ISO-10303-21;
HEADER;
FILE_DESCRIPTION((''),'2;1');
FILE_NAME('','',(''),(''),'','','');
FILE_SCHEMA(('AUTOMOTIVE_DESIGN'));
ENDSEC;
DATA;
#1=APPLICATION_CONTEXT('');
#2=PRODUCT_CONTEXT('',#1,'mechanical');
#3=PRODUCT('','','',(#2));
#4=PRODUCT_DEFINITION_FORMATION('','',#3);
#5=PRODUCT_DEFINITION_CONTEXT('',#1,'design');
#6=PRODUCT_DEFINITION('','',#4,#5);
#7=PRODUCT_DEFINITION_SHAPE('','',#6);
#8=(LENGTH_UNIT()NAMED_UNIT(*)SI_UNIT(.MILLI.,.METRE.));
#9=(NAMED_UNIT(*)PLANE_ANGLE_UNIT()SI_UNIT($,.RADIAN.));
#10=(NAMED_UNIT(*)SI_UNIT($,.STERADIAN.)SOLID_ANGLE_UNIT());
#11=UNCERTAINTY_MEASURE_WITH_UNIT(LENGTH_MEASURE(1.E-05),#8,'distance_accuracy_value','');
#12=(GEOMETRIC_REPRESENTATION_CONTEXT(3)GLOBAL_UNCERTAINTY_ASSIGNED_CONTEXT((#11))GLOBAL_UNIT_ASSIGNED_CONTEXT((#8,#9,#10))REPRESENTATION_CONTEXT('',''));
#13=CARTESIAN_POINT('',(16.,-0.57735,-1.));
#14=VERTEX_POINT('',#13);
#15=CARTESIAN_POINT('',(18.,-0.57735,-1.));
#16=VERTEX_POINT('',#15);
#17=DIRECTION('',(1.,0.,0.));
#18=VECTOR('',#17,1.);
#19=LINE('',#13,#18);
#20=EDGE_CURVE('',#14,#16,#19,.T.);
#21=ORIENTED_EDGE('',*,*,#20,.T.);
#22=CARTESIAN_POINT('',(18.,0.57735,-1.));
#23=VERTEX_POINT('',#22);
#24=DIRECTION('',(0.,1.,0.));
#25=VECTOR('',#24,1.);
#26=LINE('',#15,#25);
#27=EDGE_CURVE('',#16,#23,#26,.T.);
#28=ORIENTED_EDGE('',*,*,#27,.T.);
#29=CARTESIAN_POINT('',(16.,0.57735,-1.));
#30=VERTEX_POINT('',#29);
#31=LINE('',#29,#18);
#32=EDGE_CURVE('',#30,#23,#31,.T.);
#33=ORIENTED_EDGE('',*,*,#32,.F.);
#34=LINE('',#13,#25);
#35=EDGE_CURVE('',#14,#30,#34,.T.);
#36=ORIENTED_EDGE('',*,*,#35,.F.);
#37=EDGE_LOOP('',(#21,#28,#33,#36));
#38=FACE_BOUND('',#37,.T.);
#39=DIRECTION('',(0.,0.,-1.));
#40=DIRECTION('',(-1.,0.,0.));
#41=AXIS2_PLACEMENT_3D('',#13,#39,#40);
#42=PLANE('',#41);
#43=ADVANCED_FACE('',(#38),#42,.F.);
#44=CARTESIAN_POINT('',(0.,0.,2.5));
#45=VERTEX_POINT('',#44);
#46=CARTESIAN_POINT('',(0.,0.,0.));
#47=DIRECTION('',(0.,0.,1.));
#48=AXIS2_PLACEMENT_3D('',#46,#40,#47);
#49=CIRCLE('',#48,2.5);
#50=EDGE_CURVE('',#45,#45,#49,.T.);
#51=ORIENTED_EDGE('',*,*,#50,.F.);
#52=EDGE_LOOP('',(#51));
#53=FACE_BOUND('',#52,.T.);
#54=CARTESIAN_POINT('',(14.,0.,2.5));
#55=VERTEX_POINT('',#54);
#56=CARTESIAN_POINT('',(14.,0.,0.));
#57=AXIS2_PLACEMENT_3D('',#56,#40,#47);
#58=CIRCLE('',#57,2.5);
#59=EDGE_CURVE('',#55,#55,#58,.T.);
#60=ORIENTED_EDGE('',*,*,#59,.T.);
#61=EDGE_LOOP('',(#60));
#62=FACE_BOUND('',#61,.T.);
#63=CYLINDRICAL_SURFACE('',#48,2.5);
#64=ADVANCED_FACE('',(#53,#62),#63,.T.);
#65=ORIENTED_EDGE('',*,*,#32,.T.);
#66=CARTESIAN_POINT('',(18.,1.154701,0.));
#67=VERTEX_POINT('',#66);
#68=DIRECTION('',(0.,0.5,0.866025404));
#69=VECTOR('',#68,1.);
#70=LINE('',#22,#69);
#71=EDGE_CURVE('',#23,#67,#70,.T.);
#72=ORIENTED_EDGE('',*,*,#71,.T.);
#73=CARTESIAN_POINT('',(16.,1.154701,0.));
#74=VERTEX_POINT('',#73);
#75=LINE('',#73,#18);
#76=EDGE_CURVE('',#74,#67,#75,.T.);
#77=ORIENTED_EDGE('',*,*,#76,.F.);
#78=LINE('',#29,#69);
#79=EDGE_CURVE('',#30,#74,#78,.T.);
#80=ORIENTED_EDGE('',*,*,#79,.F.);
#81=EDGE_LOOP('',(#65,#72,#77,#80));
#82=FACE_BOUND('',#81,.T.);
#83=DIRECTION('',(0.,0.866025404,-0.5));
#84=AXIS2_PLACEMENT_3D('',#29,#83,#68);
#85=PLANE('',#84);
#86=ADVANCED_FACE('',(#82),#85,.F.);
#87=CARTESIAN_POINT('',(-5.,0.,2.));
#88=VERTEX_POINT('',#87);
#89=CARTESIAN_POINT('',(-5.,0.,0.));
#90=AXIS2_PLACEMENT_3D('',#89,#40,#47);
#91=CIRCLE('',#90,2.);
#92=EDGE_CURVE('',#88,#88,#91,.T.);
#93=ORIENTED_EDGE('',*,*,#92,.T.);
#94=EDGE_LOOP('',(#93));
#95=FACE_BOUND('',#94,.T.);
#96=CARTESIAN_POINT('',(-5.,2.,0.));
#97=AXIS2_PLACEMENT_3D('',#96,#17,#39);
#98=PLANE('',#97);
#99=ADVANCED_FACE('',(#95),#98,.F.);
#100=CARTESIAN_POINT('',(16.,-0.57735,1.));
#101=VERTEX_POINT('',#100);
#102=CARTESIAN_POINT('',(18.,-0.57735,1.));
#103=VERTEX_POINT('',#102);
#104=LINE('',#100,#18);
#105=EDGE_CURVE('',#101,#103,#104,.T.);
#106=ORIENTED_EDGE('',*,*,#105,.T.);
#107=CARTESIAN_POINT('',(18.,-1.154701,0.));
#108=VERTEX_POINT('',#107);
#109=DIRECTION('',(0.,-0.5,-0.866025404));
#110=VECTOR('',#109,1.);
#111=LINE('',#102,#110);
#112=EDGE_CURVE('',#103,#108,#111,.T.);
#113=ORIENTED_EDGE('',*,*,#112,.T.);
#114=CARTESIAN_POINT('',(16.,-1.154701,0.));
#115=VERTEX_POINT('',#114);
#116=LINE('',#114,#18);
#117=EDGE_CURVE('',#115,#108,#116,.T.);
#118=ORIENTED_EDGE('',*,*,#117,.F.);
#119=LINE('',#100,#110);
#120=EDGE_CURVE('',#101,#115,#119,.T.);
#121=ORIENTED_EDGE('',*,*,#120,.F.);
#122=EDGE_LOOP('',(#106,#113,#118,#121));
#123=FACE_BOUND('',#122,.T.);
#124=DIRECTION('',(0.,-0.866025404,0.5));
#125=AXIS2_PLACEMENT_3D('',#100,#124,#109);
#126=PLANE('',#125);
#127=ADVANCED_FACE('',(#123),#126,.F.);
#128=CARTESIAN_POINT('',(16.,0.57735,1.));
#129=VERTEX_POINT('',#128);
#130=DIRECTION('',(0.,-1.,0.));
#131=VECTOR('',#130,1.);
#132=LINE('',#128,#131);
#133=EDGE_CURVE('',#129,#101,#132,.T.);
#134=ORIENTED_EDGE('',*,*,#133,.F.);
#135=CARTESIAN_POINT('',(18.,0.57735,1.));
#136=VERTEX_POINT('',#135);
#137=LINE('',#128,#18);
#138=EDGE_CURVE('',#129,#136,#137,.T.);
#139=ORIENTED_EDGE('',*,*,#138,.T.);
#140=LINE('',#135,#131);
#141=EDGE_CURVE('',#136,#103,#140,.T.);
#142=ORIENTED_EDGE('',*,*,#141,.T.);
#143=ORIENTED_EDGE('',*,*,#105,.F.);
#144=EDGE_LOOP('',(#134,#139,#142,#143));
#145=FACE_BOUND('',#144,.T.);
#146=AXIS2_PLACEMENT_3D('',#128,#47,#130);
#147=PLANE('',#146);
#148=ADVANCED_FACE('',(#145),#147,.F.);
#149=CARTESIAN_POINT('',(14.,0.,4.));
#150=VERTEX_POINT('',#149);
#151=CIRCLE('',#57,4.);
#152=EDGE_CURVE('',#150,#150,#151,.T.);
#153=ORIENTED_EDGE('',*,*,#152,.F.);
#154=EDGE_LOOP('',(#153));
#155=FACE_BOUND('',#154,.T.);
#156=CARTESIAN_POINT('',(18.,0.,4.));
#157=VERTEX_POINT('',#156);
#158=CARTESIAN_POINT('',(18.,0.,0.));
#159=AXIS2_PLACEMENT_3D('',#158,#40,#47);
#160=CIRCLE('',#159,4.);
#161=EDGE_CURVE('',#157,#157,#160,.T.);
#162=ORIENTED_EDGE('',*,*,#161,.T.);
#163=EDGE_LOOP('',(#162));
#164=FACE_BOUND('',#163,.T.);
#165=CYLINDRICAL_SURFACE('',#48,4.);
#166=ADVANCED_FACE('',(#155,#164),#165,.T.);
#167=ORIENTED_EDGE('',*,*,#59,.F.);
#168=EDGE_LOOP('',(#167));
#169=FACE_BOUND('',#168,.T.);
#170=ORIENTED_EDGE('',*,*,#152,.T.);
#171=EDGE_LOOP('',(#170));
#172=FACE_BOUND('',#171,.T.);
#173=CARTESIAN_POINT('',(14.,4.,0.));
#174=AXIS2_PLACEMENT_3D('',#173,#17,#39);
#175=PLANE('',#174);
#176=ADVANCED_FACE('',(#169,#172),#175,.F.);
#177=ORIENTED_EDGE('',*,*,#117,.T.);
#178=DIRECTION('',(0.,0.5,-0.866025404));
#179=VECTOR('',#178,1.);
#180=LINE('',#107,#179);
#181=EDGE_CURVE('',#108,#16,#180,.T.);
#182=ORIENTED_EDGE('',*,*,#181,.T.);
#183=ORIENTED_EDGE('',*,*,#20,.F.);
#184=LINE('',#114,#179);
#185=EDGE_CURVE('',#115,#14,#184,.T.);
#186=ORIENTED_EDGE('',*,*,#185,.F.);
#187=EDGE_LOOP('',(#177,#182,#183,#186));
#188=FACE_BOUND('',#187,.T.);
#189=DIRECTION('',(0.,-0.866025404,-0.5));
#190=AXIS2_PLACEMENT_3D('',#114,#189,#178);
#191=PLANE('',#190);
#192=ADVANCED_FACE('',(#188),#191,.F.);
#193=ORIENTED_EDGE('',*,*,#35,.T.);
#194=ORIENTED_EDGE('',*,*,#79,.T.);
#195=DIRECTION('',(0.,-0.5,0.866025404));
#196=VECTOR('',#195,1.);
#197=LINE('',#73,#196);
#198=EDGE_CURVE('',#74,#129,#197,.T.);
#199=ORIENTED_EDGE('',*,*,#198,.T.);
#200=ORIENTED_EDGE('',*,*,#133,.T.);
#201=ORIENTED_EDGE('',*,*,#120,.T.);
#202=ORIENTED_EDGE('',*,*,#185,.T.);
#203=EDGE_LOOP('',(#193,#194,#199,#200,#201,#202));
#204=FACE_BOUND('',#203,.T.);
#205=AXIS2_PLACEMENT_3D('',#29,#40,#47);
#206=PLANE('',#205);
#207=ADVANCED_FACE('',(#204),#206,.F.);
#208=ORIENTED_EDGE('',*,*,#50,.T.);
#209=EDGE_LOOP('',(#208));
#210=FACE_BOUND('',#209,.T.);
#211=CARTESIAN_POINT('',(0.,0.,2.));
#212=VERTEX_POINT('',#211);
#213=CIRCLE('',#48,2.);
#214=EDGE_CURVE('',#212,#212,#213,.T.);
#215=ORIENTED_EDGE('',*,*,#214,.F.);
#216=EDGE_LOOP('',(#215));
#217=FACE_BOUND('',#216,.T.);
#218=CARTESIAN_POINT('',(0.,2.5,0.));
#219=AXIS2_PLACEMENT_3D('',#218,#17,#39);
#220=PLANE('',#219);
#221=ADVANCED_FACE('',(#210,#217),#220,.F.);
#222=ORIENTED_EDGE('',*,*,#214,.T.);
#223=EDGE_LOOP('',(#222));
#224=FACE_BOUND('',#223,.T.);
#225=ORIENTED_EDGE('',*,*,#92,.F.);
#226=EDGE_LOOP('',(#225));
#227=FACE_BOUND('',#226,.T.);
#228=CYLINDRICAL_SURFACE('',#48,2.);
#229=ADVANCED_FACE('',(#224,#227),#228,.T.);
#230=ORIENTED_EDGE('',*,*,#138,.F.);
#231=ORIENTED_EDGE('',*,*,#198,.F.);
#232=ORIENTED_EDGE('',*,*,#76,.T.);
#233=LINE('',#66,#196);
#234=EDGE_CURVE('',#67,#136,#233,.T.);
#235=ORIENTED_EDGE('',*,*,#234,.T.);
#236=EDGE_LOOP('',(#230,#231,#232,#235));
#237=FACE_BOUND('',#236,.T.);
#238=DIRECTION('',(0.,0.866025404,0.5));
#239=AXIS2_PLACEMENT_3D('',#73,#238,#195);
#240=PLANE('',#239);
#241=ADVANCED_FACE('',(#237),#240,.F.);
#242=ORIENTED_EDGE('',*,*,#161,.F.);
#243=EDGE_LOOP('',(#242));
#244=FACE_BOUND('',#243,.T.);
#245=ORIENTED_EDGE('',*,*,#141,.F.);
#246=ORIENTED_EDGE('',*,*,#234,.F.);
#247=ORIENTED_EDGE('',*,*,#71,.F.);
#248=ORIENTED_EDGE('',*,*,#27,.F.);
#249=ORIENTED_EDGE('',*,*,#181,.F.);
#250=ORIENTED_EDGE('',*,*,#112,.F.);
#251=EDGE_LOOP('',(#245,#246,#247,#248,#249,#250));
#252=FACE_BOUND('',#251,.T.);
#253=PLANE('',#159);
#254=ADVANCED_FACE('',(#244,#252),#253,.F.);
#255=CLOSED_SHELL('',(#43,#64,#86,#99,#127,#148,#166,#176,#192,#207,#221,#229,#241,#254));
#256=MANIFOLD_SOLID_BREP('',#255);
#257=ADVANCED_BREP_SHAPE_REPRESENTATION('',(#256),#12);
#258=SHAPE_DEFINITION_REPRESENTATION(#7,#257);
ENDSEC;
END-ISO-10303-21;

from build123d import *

# Parameters (mm, degrees)
CUT_EXTRUDE1_DEPTH = 2


with BuildPart() as part:
    # Sketch1 → Revolve1 (revolve)
    with BuildSketch(Plane.XY, mode=Mode.PRIVATE) as revolve1_sk:
        Polygon((18, 0), (18, 4), (14, 4), (14, 2.5), (0, 2.5), (0, 2), (-5, 2), (-5, 0), align=None)
    revolve(revolve1_sk.sketch.rotate(Axis((0, 0, 0), (1, 0, 0)), 90), axis=Axis((0, 0, 0), (1, 0, 0)))

    # Sketch2 → Cut-Extrude1 (cut)
    with BuildSketch(Plane(origin=(18, 0, 0), x_dir=(0, 0, -1), z_dir=(1, 0, 0))):
        Polygon((0, 1.154700538), (-1, 0.577350269), (-1, -0.577350269), (0, -1.154700538), (1, -0.577350269), (1, 0.577350269), align=None)
    extrude(amount=-CUT_EXTRUDE1_DEPTH, mode=Mode.SUBTRACT)


solid = part.part
